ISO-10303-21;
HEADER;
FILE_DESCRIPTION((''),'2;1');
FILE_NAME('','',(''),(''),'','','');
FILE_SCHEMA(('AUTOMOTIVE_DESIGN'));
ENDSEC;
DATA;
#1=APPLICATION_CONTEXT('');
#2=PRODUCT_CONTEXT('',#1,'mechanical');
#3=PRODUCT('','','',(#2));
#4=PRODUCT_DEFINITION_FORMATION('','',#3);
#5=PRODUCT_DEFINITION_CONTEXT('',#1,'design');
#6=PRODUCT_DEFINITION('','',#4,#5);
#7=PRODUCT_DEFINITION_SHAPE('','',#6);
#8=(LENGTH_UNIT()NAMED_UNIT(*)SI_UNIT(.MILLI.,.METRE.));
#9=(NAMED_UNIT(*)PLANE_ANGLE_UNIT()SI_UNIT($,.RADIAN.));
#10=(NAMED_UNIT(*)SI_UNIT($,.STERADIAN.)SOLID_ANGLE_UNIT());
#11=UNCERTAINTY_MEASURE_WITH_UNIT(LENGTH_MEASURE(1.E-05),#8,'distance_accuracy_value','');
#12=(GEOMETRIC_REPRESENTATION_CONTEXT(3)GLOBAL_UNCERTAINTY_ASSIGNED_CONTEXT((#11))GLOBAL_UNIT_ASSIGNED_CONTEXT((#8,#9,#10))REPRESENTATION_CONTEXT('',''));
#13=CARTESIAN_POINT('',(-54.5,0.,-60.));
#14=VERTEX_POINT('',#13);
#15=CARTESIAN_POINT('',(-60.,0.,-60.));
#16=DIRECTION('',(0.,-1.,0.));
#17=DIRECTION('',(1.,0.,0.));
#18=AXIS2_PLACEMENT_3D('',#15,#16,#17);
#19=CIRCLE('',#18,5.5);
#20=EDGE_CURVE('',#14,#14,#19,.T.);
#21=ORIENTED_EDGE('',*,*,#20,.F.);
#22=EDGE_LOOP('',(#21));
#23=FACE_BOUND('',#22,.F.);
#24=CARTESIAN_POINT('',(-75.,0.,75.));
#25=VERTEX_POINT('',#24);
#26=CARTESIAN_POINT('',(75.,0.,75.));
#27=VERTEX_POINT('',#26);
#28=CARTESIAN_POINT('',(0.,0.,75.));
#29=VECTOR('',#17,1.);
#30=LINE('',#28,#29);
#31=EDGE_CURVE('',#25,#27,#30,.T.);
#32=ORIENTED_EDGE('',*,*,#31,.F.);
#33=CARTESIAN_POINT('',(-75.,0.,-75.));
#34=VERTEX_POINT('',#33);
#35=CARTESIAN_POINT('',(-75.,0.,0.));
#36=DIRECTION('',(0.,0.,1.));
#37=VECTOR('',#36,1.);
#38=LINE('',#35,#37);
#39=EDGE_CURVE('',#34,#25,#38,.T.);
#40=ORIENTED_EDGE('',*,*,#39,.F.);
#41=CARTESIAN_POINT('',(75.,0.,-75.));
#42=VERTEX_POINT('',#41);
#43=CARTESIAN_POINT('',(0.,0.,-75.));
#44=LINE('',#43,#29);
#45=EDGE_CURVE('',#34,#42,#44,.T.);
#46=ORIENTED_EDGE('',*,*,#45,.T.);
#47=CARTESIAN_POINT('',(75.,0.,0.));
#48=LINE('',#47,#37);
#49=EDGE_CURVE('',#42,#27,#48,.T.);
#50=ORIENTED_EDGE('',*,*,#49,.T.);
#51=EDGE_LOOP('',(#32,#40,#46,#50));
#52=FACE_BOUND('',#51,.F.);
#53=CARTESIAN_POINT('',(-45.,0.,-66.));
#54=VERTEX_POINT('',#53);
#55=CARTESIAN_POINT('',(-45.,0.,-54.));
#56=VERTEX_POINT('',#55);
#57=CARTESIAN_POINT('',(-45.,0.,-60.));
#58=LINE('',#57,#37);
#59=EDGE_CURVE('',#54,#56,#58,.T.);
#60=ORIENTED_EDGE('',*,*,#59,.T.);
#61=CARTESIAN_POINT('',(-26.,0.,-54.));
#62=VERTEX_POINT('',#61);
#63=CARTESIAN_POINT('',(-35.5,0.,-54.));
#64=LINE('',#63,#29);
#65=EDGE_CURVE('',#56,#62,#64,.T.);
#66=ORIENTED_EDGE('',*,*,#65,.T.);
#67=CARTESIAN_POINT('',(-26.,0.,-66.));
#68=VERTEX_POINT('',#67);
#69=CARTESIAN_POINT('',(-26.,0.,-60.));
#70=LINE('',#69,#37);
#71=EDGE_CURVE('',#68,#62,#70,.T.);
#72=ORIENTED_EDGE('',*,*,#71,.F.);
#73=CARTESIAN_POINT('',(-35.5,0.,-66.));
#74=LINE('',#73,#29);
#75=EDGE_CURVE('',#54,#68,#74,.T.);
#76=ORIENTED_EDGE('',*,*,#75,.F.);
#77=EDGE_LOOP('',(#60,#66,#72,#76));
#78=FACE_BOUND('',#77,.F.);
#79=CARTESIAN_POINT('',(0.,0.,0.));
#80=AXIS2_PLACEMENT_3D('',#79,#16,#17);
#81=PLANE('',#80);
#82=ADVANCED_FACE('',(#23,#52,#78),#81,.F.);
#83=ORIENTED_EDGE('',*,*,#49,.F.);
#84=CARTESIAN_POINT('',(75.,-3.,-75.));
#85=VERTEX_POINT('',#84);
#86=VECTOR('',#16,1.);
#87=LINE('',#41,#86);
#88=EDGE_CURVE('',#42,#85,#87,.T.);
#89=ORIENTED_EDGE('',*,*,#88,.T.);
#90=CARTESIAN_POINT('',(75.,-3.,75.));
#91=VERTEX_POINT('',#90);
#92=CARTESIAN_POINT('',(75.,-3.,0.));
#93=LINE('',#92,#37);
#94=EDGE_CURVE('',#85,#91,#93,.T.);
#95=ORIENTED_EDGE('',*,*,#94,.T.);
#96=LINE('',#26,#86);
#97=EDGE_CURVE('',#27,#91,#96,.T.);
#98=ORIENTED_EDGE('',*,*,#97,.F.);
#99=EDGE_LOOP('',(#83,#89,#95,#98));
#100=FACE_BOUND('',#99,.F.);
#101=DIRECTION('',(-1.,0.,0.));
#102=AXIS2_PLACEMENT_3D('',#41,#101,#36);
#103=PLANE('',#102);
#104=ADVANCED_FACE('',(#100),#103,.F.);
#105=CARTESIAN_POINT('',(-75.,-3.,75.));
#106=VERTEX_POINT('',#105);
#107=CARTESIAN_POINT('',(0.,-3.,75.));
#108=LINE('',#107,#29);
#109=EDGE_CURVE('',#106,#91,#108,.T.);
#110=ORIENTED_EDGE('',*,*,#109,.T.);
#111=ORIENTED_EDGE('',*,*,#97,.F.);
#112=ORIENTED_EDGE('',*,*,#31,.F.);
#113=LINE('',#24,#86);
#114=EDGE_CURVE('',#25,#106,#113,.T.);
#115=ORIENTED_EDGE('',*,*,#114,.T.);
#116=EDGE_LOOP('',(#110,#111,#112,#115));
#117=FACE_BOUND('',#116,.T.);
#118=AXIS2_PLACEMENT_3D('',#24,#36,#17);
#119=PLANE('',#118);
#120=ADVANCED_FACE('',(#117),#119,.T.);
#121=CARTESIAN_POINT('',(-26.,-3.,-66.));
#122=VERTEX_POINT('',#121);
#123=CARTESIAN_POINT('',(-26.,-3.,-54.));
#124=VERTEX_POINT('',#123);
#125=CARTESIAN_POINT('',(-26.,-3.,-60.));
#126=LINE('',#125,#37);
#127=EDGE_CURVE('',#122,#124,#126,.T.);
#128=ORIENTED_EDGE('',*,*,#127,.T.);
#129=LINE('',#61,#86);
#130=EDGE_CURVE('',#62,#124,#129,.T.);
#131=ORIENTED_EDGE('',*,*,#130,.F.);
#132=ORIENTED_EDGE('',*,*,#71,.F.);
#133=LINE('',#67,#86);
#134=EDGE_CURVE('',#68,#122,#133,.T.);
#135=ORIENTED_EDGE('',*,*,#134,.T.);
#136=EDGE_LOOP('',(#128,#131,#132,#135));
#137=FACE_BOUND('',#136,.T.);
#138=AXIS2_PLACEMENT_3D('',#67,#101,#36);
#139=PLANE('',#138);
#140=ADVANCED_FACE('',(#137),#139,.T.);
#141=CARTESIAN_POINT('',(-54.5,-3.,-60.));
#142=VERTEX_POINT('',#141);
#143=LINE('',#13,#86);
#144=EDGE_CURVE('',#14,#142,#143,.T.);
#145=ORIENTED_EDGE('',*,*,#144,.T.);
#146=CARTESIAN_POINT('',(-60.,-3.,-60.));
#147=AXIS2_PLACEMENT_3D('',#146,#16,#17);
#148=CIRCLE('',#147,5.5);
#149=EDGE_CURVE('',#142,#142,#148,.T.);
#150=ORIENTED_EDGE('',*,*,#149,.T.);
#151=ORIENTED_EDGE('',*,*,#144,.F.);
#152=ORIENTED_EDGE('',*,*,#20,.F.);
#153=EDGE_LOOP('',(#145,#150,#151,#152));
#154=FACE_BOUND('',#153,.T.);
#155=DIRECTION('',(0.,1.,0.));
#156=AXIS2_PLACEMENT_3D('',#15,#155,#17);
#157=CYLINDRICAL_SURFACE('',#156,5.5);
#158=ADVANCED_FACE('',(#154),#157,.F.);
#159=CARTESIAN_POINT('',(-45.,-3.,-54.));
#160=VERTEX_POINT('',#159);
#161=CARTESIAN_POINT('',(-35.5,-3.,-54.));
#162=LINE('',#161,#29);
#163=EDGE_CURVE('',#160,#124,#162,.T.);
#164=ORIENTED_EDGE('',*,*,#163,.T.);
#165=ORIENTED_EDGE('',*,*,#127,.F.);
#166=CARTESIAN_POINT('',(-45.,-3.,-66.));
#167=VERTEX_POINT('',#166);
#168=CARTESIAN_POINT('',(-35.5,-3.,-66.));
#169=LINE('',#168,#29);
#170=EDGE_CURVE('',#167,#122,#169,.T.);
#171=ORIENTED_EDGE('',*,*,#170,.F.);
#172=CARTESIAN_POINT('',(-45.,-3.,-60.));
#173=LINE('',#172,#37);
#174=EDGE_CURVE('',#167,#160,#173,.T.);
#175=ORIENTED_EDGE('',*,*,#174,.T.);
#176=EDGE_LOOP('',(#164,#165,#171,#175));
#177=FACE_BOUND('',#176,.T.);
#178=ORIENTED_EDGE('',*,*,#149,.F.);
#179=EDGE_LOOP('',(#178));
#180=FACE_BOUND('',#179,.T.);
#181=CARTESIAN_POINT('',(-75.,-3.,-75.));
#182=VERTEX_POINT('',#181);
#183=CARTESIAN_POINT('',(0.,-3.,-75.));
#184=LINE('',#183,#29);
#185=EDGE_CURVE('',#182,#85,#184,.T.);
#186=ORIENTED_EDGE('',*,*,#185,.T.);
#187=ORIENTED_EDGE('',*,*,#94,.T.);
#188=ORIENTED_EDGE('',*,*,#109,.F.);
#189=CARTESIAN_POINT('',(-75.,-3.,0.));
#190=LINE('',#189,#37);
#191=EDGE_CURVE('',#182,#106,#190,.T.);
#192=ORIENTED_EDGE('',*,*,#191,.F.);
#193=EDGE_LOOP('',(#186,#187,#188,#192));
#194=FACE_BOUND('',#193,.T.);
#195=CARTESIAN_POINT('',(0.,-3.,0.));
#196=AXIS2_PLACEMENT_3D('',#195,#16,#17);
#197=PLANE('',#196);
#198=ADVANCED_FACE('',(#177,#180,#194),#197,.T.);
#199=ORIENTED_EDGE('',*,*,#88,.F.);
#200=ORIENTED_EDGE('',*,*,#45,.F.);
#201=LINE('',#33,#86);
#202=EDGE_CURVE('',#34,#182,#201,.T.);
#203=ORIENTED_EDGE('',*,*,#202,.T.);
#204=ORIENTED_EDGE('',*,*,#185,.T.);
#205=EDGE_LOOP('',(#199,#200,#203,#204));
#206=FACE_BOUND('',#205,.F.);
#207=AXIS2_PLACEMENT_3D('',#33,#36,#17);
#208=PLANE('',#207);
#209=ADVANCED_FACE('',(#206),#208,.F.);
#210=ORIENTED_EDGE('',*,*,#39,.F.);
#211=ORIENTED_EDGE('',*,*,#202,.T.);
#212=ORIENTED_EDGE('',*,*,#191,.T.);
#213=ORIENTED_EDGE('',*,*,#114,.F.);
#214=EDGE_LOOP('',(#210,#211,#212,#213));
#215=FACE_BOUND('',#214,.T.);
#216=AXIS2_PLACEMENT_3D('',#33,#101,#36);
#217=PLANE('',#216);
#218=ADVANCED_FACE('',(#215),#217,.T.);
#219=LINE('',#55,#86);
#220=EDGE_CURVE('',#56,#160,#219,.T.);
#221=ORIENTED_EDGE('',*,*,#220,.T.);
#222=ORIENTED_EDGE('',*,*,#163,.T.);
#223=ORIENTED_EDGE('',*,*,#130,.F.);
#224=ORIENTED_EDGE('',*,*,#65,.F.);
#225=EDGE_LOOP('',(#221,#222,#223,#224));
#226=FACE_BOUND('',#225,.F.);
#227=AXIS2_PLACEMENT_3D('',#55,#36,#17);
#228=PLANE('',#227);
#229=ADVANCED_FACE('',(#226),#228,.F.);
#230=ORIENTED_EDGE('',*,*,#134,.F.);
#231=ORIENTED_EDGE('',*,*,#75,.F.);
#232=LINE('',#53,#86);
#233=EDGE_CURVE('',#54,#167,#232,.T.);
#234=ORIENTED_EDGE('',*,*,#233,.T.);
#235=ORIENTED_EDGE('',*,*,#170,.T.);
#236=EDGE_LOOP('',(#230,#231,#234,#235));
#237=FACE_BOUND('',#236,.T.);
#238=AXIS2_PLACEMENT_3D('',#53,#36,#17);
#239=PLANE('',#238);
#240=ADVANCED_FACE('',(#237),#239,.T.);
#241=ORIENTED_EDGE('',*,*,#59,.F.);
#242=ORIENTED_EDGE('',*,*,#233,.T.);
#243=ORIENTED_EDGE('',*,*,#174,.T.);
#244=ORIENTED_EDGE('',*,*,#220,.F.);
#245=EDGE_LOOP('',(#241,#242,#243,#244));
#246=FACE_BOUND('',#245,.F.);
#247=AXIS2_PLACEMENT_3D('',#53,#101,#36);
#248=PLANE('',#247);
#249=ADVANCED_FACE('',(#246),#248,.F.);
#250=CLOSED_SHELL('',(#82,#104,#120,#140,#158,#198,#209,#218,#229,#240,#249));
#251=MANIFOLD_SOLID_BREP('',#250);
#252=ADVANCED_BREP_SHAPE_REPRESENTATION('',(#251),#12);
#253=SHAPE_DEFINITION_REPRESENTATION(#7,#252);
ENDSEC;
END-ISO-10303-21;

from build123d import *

# Parameters (mm, degrees)
F0_W     = 150
F0_H     = 150
F0_R     = 5.5
F0_W_2   = 19
F0_H_2   = 12
F1_DEPTH = 3


with BuildPart() as f1:
    # F0 (on Front) → F1 (new body)
    with BuildSketch(Plane.XZ):
        Rectangle(F0_W, F0_H)
        with Locations((-60, -60)):
            Circle(F0_R, mode=Mode.SUBTRACT)
        with Locations((-35.5, -60)):
            Rectangle(F0_W_2, F0_H_2, mode=Mode.SUBTRACT)
    extrude(amount=F1_DEPTH)


solid = f1.part
